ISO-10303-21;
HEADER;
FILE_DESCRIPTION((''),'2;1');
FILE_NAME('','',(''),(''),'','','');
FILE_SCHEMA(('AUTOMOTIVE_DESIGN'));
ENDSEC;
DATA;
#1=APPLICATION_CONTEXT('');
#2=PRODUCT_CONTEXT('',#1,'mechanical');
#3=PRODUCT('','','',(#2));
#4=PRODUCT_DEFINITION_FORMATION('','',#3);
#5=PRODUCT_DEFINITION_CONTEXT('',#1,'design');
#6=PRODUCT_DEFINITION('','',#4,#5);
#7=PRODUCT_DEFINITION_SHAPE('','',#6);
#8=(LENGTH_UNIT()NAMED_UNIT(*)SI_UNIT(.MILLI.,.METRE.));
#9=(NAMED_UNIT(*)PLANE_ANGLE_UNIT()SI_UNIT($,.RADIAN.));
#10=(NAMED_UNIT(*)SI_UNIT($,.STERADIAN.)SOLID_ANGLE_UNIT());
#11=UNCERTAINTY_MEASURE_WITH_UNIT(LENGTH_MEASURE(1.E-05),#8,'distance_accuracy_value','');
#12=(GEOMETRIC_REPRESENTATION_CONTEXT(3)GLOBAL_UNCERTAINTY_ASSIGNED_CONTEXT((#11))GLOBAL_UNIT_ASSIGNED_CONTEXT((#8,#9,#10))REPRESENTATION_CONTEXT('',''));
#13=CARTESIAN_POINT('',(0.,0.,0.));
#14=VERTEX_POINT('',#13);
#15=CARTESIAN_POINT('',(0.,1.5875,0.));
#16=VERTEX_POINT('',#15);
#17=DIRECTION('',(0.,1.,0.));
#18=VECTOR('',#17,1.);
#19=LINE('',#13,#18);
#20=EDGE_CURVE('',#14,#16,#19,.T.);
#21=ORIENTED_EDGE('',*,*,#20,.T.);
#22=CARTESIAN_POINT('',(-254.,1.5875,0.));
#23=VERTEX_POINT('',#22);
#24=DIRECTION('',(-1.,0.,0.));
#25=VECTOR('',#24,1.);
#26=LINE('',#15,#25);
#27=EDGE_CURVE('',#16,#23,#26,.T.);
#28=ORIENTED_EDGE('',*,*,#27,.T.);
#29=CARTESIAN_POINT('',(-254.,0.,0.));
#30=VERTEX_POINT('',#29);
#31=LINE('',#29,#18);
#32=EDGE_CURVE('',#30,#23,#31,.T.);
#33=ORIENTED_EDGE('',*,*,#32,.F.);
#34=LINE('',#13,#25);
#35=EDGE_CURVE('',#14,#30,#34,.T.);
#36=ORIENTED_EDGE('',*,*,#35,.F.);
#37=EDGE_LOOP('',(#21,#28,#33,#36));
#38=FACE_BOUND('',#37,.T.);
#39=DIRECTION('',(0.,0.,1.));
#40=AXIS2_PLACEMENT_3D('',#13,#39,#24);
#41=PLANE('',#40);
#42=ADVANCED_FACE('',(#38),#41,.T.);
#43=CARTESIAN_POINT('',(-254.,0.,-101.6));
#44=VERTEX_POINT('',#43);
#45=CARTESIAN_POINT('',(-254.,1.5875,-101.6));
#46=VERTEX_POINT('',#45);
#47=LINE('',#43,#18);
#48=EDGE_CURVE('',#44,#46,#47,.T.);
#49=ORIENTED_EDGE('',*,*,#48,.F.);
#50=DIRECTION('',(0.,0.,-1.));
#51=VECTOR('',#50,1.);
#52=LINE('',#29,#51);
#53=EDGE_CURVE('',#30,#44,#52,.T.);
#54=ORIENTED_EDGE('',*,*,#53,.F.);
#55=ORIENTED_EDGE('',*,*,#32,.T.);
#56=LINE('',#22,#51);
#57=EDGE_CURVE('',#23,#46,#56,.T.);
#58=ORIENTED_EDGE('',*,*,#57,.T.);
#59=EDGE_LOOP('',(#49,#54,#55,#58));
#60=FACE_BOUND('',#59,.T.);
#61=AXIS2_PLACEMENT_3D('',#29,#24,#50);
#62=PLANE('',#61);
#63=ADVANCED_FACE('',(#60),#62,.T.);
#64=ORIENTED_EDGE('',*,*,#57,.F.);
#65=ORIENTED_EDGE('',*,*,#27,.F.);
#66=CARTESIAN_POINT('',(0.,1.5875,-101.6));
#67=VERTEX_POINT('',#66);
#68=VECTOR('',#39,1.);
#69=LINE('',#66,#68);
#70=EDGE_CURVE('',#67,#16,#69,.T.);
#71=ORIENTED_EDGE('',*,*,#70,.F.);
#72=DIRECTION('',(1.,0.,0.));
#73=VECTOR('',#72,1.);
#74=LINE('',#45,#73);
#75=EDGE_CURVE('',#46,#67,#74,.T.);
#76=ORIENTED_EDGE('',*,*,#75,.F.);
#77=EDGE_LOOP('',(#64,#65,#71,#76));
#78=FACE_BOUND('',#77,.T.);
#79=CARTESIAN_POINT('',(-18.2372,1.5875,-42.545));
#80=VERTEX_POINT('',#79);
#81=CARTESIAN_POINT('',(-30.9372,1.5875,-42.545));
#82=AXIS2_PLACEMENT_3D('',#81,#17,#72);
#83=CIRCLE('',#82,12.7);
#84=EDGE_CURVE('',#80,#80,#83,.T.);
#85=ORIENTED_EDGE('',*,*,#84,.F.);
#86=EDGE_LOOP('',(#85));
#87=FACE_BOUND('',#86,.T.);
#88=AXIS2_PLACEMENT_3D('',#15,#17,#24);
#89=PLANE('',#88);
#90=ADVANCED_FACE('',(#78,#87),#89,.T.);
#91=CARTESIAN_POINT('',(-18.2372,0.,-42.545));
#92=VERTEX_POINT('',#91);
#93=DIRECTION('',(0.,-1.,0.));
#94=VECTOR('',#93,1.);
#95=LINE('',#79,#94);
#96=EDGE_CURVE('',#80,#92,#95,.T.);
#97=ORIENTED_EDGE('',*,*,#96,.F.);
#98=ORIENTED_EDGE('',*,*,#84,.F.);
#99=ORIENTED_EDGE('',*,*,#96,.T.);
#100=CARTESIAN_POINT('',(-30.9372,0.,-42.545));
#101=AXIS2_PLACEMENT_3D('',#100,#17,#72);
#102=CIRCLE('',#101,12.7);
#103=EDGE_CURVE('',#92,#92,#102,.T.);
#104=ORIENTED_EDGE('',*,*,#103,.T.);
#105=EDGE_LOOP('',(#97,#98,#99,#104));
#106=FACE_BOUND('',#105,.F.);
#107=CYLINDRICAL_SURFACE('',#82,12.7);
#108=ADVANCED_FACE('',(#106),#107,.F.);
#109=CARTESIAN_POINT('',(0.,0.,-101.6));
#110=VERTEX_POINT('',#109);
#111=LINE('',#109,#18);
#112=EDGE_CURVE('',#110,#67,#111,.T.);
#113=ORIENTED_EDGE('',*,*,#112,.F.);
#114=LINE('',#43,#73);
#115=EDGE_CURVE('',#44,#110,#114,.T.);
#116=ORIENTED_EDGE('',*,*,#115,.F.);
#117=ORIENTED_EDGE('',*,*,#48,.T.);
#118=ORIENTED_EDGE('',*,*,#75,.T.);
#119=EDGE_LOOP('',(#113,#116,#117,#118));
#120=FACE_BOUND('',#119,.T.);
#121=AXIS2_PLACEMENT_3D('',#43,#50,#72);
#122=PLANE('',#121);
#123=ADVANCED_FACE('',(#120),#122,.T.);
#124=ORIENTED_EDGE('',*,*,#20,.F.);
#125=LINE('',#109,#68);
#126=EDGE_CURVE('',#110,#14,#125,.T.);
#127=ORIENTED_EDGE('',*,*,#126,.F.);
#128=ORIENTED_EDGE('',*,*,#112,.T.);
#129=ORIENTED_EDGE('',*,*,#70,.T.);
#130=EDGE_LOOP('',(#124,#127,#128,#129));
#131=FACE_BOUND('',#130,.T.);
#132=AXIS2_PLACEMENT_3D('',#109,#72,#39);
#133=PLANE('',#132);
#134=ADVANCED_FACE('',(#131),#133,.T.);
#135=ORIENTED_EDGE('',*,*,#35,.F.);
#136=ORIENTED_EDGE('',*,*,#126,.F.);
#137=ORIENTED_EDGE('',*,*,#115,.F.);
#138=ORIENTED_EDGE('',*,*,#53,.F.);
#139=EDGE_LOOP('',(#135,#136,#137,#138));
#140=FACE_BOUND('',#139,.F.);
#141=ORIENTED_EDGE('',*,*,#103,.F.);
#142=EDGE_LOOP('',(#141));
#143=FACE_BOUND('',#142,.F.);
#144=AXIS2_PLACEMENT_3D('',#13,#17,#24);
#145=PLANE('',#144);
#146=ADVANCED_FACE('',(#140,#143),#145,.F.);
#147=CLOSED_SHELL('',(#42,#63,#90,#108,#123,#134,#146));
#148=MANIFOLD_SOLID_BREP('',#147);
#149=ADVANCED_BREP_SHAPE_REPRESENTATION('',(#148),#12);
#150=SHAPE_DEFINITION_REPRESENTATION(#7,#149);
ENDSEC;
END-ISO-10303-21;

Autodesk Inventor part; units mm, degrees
ref_plane "YZ Plane" through (0, 0, 0) normal (1, 0, 0) x (0, 1, 0)
ref_plane "XZ Plane" through (0, 0, 0) normal (0, 1, 0) x (-1, 0, 0)
ref_plane "XY Plane" through (0, 0, 0) normal (0, 0, 1) x (1, 0, 0)
sketch "Sketch1" plane through (0, 0, 0) normal (0, 1, 0) x (-1, 0, 0)
  line L0 (0, 0) -> (254, 0)
  line L1 (254, 0) -> (254, -101.6)
  line L2 (254, -101.6) -> (0, -101.6)
  line L3 (0, -101.6) -> (0, 0)
  dimension "d0" = 254
  dimension "d1" = 101.6
extrude "Extrusion1" add sketch "Sketch1" along normal blind 1.5875
sketch "Sketch2" plane through (0, 1.5875, 0) normal (0, 1, 0) x (1, 0, 0)
  circle A0 centre (-30.9372, 42.545) radius 12.7
  line L0 (0, 101.6) -> (-254, 101.6) projected
  line L1 (0, 0) -> (0, 101.6) projected
  line L2 (-254, 0) -> (0, 0) projected
  dimension "d4" = 25.4
  dimension "d7" = 30.9372
  dimension "d8" = 42.545
extrude "Extrusion2" cut sketch "Sketch2" against normal blind 25.4
properties part number "TSV+Panel"
